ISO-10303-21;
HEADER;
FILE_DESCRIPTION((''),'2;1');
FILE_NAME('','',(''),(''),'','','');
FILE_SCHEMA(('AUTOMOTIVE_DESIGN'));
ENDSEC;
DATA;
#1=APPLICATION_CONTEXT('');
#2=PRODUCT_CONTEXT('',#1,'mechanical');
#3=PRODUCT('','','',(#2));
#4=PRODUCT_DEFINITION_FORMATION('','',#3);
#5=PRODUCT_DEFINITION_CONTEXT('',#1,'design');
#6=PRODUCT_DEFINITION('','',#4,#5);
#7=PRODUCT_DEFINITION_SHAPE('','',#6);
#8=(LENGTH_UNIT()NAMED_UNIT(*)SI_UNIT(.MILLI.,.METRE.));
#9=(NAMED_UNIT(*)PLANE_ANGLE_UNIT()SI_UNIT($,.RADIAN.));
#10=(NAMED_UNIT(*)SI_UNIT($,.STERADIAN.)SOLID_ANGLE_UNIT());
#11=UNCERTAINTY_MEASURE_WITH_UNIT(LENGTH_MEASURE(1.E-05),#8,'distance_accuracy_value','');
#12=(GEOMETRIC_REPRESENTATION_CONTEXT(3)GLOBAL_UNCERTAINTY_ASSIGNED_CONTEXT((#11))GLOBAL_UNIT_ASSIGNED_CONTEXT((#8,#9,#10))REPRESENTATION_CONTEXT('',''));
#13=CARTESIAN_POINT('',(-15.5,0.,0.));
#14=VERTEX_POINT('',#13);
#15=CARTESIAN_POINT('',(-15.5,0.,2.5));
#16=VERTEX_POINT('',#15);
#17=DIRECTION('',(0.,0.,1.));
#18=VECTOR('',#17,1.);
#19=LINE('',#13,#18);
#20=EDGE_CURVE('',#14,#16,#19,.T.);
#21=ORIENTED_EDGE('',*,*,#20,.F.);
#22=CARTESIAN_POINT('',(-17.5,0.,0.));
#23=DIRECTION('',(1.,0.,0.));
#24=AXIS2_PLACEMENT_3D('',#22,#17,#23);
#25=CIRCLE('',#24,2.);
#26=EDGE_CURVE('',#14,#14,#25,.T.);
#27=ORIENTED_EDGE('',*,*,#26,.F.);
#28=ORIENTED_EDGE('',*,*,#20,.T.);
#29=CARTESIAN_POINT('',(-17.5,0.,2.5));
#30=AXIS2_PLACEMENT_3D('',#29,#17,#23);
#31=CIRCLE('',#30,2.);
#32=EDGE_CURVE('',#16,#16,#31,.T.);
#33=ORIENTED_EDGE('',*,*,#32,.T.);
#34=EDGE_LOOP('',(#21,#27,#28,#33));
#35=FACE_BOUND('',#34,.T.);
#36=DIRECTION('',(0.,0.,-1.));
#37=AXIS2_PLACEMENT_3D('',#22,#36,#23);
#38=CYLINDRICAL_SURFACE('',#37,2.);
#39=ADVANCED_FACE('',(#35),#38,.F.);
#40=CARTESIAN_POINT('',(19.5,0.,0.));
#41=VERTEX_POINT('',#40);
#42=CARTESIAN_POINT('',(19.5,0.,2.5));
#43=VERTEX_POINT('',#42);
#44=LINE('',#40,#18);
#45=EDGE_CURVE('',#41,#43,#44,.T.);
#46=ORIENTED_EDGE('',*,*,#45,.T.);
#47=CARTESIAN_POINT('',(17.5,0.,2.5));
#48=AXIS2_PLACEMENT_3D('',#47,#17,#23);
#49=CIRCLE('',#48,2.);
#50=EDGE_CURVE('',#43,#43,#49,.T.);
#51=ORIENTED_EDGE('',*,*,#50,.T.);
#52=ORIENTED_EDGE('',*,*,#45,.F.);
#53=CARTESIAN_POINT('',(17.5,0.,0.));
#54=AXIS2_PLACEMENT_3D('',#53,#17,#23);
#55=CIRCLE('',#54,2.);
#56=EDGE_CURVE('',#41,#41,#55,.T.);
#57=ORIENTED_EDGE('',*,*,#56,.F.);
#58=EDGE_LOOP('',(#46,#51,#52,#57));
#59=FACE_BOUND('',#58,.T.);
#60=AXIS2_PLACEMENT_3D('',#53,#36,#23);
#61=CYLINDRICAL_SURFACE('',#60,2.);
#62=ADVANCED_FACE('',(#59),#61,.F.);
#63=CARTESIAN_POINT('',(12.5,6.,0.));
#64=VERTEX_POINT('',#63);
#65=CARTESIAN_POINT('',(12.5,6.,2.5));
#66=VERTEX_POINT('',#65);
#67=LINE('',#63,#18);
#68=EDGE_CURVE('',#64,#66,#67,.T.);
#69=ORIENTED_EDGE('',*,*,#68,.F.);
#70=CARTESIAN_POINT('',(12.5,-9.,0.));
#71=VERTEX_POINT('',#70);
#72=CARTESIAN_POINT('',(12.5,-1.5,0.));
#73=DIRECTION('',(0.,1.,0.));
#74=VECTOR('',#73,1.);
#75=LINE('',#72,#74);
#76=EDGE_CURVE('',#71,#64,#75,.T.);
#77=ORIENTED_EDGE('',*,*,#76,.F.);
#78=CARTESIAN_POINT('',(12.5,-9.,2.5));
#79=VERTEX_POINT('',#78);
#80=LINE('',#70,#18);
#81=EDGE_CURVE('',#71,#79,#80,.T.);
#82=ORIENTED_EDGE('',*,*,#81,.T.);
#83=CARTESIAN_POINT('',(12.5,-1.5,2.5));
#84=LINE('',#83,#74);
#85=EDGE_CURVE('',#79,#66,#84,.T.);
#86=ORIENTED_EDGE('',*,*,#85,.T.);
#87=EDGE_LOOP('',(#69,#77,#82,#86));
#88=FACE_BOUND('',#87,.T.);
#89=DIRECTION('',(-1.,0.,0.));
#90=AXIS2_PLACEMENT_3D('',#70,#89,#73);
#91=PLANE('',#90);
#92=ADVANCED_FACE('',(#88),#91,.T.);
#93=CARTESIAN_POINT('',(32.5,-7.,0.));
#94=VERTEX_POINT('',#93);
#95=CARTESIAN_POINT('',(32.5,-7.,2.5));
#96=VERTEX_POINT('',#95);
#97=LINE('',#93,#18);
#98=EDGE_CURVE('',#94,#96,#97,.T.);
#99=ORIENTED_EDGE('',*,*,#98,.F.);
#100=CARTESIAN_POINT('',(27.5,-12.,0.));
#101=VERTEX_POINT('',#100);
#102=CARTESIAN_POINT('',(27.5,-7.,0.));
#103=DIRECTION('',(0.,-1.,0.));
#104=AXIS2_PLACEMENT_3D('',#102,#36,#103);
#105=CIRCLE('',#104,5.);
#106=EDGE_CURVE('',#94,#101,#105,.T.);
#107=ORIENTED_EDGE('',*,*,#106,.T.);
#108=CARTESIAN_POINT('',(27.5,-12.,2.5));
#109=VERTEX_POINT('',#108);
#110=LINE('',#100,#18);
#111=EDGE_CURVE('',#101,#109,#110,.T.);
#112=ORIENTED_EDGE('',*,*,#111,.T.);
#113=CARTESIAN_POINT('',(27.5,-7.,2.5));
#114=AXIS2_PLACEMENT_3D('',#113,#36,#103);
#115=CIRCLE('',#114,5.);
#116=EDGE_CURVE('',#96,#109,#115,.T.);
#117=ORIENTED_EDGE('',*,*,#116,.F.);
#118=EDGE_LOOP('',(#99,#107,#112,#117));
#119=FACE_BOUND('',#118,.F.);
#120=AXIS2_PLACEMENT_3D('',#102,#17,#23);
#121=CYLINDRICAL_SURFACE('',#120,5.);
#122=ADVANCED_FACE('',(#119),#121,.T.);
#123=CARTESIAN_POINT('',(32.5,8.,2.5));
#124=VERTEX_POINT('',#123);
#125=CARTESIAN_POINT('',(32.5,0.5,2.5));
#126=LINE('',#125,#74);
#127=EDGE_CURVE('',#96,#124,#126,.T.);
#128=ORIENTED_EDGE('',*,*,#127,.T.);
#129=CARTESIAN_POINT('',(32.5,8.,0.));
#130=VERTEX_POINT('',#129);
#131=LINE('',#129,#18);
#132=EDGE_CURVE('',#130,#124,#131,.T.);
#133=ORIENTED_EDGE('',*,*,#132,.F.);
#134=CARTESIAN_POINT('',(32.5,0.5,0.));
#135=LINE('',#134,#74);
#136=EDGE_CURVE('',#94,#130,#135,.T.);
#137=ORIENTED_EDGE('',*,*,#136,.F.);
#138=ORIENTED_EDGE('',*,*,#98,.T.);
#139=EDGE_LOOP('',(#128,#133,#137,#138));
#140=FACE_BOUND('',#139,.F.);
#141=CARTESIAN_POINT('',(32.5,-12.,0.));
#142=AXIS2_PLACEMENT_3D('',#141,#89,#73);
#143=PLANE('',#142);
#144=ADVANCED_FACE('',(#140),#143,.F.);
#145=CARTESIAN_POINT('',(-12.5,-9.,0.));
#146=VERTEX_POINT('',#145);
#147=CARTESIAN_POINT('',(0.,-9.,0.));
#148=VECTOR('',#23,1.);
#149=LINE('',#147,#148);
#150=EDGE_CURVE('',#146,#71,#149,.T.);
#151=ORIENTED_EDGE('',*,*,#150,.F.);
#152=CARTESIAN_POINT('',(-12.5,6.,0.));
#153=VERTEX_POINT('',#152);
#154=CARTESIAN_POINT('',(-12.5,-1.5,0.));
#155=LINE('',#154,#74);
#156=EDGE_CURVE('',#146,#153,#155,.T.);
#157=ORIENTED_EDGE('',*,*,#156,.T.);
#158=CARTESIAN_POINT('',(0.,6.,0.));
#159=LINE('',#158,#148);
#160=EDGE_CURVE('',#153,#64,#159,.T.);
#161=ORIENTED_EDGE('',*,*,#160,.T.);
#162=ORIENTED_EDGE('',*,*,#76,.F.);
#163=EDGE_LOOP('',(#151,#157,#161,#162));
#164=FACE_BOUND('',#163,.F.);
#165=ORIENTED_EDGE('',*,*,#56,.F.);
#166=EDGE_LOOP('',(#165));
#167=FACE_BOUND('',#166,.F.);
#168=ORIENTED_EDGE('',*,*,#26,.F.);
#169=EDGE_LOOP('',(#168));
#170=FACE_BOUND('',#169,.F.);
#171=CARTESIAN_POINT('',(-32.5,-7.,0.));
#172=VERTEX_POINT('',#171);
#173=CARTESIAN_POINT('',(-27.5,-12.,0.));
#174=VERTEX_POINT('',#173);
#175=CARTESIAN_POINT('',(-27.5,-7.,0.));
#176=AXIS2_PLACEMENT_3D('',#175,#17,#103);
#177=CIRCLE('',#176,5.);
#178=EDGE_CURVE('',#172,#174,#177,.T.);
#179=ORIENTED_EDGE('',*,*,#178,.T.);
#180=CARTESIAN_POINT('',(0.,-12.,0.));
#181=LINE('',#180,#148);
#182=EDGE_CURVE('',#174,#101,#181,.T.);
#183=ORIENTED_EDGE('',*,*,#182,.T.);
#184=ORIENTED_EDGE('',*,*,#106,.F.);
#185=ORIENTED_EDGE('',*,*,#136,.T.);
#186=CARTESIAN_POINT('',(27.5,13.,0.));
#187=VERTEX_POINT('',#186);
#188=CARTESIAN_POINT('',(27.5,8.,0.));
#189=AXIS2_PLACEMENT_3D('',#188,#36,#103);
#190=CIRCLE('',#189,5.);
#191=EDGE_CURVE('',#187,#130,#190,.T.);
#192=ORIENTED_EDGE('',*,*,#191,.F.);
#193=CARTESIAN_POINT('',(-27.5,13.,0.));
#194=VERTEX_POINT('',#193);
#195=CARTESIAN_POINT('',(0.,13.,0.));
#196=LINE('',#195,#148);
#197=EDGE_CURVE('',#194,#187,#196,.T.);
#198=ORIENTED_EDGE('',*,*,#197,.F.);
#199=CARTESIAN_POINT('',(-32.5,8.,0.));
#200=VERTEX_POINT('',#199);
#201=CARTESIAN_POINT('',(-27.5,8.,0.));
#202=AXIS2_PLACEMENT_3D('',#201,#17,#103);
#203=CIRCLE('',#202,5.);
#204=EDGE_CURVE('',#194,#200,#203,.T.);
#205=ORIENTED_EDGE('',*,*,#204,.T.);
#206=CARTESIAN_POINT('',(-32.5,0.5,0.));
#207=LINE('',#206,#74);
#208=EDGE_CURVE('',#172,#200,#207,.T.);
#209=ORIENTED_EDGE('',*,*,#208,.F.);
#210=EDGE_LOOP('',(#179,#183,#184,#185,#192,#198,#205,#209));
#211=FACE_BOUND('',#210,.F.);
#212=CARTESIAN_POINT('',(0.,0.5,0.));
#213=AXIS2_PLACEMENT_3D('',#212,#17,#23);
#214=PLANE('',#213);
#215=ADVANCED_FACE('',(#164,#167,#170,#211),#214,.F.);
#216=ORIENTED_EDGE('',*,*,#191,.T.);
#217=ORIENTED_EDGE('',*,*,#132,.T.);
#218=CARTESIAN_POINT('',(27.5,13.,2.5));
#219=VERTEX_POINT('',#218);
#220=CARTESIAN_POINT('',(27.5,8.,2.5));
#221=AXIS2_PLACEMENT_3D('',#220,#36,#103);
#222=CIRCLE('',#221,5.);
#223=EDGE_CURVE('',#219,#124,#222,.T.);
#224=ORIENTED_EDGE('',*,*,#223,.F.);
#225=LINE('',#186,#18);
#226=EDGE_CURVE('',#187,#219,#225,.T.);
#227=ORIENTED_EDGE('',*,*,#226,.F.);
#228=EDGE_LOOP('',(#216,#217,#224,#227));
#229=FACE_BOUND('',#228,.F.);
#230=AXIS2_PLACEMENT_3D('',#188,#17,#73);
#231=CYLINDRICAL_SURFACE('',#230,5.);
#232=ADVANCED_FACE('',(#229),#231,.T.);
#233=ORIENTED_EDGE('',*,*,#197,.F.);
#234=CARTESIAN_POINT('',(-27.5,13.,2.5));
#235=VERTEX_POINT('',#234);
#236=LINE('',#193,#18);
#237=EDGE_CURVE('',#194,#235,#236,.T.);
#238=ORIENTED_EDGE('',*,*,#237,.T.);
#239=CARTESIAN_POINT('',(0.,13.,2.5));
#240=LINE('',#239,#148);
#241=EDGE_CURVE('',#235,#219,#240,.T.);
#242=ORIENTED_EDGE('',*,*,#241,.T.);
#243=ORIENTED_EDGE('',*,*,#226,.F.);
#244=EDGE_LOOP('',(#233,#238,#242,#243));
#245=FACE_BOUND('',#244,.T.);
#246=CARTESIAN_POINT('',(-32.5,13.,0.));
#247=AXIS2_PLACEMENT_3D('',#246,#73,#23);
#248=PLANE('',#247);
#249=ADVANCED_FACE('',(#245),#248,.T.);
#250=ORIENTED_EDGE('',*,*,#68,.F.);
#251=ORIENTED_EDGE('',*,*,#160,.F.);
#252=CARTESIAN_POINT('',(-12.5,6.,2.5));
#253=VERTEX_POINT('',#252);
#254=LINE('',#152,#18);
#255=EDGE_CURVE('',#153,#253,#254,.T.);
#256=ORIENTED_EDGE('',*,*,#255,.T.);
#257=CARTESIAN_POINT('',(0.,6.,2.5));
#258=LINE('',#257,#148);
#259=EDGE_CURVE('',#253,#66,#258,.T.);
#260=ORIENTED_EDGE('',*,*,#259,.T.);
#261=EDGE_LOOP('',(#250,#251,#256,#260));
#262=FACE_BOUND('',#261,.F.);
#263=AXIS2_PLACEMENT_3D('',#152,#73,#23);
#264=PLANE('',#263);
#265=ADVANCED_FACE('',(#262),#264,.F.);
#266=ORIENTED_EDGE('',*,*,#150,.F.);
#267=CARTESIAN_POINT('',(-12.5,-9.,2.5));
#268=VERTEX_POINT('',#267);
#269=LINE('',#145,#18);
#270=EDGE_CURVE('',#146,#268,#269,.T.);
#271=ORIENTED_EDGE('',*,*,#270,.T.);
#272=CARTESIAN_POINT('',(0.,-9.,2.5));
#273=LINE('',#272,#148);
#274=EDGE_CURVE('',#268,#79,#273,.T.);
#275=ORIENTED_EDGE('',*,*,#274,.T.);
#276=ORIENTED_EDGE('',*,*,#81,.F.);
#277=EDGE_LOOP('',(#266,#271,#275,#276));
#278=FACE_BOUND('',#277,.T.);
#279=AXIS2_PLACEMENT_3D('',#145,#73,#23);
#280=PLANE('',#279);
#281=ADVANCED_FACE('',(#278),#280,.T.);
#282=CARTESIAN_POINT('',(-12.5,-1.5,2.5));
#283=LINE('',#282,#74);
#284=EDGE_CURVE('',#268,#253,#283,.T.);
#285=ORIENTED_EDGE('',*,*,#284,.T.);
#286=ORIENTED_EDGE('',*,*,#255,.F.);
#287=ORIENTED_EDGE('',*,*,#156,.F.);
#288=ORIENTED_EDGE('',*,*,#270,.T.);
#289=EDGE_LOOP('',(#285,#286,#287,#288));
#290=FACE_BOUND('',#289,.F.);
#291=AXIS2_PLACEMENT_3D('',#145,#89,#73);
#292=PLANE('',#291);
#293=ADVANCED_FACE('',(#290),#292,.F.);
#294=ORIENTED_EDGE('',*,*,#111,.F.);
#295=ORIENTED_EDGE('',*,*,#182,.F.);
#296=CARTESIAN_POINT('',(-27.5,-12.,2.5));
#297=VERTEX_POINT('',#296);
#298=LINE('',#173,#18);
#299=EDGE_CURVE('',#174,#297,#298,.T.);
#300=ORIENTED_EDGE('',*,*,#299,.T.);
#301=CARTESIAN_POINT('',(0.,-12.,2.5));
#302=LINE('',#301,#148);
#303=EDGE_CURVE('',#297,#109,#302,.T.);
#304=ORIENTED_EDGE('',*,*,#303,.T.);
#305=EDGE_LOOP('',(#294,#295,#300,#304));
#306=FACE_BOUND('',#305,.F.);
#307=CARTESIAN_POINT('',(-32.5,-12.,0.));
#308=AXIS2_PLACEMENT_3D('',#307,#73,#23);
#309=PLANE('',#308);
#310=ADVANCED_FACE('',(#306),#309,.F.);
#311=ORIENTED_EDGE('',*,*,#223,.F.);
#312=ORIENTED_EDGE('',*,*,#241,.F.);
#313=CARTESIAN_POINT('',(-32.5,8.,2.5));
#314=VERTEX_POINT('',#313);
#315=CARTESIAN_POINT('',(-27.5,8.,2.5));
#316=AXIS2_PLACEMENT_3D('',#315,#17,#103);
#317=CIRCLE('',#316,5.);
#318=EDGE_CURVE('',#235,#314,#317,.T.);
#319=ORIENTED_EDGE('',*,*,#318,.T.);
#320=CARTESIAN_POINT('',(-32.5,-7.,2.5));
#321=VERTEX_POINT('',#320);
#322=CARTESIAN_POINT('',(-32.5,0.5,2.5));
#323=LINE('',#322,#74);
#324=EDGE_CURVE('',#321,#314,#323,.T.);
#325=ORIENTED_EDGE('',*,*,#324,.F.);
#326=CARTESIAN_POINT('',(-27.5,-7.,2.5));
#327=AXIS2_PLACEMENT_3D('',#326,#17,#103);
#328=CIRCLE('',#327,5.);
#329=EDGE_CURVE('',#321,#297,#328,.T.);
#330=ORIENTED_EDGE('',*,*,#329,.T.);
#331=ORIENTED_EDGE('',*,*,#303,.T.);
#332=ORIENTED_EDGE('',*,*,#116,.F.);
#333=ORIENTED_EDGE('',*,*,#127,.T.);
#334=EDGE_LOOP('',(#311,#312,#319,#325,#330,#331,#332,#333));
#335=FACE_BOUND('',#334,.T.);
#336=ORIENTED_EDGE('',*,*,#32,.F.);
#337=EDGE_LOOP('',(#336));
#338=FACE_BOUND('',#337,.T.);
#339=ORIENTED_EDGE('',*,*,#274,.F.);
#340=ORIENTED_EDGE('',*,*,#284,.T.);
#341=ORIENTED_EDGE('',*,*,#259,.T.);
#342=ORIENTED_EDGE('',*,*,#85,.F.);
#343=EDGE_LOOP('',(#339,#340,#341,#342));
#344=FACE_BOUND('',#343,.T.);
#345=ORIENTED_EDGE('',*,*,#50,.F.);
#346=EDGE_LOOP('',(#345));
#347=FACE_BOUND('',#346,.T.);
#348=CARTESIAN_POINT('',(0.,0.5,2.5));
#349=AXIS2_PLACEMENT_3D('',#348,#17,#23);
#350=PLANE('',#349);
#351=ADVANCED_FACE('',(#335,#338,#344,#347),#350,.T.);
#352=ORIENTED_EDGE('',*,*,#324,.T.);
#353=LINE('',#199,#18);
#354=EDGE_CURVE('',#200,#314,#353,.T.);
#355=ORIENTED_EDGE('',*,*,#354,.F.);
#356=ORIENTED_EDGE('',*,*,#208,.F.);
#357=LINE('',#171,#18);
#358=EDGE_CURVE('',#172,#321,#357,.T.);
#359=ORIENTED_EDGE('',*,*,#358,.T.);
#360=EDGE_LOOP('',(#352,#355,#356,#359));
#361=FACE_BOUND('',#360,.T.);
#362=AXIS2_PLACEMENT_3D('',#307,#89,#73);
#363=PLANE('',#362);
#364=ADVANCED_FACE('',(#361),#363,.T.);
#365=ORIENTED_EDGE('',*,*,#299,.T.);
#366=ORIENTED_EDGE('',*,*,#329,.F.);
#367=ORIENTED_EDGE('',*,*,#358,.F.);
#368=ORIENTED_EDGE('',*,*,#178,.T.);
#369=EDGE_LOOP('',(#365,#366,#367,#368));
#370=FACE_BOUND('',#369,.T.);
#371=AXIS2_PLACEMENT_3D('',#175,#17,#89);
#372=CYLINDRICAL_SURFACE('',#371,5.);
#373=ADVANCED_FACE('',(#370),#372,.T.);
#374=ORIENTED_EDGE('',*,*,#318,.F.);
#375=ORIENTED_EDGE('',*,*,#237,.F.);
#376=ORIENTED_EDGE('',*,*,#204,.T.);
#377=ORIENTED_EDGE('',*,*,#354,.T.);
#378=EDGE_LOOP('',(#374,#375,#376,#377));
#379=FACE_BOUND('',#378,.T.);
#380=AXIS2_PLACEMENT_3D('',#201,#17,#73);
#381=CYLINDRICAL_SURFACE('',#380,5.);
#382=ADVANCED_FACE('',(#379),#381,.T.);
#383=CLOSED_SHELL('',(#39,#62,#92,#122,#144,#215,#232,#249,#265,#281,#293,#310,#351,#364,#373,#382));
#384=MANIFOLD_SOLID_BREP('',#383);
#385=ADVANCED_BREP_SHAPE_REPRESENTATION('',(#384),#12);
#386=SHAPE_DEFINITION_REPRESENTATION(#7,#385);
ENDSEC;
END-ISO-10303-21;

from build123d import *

# Parameters (mm, degrees)
F0_W     = 65
F0_H     = 25
F0_R     = 2
F0_W_2   = 25
F0_H_2   = 15
F1_DEPTH = 2.5
F2_R     = 5
F3_R     = 5


with BuildPart() as f1:
    # F0 (on Top) → F1 (new body)
    with BuildSketch(Plane.XY):
        with Locations((0, 0.5)):
            Rectangle(F0_W, F0_H)
        with Locations((-17.5, 0)):
            Circle(F0_R, mode=Mode.SUBTRACT)
        with Locations((0, -1.5)):
            Rectangle(F0_W_2, F0_H_2, mode=Mode.SUBTRACT)
        with Locations((17.5, 0)):
            Circle(F0_R, mode=Mode.SUBTRACT)
    extrude(amount=F1_DEPTH)

    # F2
    f2_edges = [f1.edges().sort_by_distance(p)[0] for p in [
        (32.5, 13, 1.25),
    ]]
    fillet(f2_edges, radius=F2_R)

    # F3
    f3_edges = [f1.edges().sort_by_distance(p)[0] for p in [
        (32.5, -12, 1.25),
        (-32.5, -12, 1.25),
        (-32.5, 13, 1.25),
    ]]
    fillet(f3_edges, radius=F3_R)


solid = f1.part
